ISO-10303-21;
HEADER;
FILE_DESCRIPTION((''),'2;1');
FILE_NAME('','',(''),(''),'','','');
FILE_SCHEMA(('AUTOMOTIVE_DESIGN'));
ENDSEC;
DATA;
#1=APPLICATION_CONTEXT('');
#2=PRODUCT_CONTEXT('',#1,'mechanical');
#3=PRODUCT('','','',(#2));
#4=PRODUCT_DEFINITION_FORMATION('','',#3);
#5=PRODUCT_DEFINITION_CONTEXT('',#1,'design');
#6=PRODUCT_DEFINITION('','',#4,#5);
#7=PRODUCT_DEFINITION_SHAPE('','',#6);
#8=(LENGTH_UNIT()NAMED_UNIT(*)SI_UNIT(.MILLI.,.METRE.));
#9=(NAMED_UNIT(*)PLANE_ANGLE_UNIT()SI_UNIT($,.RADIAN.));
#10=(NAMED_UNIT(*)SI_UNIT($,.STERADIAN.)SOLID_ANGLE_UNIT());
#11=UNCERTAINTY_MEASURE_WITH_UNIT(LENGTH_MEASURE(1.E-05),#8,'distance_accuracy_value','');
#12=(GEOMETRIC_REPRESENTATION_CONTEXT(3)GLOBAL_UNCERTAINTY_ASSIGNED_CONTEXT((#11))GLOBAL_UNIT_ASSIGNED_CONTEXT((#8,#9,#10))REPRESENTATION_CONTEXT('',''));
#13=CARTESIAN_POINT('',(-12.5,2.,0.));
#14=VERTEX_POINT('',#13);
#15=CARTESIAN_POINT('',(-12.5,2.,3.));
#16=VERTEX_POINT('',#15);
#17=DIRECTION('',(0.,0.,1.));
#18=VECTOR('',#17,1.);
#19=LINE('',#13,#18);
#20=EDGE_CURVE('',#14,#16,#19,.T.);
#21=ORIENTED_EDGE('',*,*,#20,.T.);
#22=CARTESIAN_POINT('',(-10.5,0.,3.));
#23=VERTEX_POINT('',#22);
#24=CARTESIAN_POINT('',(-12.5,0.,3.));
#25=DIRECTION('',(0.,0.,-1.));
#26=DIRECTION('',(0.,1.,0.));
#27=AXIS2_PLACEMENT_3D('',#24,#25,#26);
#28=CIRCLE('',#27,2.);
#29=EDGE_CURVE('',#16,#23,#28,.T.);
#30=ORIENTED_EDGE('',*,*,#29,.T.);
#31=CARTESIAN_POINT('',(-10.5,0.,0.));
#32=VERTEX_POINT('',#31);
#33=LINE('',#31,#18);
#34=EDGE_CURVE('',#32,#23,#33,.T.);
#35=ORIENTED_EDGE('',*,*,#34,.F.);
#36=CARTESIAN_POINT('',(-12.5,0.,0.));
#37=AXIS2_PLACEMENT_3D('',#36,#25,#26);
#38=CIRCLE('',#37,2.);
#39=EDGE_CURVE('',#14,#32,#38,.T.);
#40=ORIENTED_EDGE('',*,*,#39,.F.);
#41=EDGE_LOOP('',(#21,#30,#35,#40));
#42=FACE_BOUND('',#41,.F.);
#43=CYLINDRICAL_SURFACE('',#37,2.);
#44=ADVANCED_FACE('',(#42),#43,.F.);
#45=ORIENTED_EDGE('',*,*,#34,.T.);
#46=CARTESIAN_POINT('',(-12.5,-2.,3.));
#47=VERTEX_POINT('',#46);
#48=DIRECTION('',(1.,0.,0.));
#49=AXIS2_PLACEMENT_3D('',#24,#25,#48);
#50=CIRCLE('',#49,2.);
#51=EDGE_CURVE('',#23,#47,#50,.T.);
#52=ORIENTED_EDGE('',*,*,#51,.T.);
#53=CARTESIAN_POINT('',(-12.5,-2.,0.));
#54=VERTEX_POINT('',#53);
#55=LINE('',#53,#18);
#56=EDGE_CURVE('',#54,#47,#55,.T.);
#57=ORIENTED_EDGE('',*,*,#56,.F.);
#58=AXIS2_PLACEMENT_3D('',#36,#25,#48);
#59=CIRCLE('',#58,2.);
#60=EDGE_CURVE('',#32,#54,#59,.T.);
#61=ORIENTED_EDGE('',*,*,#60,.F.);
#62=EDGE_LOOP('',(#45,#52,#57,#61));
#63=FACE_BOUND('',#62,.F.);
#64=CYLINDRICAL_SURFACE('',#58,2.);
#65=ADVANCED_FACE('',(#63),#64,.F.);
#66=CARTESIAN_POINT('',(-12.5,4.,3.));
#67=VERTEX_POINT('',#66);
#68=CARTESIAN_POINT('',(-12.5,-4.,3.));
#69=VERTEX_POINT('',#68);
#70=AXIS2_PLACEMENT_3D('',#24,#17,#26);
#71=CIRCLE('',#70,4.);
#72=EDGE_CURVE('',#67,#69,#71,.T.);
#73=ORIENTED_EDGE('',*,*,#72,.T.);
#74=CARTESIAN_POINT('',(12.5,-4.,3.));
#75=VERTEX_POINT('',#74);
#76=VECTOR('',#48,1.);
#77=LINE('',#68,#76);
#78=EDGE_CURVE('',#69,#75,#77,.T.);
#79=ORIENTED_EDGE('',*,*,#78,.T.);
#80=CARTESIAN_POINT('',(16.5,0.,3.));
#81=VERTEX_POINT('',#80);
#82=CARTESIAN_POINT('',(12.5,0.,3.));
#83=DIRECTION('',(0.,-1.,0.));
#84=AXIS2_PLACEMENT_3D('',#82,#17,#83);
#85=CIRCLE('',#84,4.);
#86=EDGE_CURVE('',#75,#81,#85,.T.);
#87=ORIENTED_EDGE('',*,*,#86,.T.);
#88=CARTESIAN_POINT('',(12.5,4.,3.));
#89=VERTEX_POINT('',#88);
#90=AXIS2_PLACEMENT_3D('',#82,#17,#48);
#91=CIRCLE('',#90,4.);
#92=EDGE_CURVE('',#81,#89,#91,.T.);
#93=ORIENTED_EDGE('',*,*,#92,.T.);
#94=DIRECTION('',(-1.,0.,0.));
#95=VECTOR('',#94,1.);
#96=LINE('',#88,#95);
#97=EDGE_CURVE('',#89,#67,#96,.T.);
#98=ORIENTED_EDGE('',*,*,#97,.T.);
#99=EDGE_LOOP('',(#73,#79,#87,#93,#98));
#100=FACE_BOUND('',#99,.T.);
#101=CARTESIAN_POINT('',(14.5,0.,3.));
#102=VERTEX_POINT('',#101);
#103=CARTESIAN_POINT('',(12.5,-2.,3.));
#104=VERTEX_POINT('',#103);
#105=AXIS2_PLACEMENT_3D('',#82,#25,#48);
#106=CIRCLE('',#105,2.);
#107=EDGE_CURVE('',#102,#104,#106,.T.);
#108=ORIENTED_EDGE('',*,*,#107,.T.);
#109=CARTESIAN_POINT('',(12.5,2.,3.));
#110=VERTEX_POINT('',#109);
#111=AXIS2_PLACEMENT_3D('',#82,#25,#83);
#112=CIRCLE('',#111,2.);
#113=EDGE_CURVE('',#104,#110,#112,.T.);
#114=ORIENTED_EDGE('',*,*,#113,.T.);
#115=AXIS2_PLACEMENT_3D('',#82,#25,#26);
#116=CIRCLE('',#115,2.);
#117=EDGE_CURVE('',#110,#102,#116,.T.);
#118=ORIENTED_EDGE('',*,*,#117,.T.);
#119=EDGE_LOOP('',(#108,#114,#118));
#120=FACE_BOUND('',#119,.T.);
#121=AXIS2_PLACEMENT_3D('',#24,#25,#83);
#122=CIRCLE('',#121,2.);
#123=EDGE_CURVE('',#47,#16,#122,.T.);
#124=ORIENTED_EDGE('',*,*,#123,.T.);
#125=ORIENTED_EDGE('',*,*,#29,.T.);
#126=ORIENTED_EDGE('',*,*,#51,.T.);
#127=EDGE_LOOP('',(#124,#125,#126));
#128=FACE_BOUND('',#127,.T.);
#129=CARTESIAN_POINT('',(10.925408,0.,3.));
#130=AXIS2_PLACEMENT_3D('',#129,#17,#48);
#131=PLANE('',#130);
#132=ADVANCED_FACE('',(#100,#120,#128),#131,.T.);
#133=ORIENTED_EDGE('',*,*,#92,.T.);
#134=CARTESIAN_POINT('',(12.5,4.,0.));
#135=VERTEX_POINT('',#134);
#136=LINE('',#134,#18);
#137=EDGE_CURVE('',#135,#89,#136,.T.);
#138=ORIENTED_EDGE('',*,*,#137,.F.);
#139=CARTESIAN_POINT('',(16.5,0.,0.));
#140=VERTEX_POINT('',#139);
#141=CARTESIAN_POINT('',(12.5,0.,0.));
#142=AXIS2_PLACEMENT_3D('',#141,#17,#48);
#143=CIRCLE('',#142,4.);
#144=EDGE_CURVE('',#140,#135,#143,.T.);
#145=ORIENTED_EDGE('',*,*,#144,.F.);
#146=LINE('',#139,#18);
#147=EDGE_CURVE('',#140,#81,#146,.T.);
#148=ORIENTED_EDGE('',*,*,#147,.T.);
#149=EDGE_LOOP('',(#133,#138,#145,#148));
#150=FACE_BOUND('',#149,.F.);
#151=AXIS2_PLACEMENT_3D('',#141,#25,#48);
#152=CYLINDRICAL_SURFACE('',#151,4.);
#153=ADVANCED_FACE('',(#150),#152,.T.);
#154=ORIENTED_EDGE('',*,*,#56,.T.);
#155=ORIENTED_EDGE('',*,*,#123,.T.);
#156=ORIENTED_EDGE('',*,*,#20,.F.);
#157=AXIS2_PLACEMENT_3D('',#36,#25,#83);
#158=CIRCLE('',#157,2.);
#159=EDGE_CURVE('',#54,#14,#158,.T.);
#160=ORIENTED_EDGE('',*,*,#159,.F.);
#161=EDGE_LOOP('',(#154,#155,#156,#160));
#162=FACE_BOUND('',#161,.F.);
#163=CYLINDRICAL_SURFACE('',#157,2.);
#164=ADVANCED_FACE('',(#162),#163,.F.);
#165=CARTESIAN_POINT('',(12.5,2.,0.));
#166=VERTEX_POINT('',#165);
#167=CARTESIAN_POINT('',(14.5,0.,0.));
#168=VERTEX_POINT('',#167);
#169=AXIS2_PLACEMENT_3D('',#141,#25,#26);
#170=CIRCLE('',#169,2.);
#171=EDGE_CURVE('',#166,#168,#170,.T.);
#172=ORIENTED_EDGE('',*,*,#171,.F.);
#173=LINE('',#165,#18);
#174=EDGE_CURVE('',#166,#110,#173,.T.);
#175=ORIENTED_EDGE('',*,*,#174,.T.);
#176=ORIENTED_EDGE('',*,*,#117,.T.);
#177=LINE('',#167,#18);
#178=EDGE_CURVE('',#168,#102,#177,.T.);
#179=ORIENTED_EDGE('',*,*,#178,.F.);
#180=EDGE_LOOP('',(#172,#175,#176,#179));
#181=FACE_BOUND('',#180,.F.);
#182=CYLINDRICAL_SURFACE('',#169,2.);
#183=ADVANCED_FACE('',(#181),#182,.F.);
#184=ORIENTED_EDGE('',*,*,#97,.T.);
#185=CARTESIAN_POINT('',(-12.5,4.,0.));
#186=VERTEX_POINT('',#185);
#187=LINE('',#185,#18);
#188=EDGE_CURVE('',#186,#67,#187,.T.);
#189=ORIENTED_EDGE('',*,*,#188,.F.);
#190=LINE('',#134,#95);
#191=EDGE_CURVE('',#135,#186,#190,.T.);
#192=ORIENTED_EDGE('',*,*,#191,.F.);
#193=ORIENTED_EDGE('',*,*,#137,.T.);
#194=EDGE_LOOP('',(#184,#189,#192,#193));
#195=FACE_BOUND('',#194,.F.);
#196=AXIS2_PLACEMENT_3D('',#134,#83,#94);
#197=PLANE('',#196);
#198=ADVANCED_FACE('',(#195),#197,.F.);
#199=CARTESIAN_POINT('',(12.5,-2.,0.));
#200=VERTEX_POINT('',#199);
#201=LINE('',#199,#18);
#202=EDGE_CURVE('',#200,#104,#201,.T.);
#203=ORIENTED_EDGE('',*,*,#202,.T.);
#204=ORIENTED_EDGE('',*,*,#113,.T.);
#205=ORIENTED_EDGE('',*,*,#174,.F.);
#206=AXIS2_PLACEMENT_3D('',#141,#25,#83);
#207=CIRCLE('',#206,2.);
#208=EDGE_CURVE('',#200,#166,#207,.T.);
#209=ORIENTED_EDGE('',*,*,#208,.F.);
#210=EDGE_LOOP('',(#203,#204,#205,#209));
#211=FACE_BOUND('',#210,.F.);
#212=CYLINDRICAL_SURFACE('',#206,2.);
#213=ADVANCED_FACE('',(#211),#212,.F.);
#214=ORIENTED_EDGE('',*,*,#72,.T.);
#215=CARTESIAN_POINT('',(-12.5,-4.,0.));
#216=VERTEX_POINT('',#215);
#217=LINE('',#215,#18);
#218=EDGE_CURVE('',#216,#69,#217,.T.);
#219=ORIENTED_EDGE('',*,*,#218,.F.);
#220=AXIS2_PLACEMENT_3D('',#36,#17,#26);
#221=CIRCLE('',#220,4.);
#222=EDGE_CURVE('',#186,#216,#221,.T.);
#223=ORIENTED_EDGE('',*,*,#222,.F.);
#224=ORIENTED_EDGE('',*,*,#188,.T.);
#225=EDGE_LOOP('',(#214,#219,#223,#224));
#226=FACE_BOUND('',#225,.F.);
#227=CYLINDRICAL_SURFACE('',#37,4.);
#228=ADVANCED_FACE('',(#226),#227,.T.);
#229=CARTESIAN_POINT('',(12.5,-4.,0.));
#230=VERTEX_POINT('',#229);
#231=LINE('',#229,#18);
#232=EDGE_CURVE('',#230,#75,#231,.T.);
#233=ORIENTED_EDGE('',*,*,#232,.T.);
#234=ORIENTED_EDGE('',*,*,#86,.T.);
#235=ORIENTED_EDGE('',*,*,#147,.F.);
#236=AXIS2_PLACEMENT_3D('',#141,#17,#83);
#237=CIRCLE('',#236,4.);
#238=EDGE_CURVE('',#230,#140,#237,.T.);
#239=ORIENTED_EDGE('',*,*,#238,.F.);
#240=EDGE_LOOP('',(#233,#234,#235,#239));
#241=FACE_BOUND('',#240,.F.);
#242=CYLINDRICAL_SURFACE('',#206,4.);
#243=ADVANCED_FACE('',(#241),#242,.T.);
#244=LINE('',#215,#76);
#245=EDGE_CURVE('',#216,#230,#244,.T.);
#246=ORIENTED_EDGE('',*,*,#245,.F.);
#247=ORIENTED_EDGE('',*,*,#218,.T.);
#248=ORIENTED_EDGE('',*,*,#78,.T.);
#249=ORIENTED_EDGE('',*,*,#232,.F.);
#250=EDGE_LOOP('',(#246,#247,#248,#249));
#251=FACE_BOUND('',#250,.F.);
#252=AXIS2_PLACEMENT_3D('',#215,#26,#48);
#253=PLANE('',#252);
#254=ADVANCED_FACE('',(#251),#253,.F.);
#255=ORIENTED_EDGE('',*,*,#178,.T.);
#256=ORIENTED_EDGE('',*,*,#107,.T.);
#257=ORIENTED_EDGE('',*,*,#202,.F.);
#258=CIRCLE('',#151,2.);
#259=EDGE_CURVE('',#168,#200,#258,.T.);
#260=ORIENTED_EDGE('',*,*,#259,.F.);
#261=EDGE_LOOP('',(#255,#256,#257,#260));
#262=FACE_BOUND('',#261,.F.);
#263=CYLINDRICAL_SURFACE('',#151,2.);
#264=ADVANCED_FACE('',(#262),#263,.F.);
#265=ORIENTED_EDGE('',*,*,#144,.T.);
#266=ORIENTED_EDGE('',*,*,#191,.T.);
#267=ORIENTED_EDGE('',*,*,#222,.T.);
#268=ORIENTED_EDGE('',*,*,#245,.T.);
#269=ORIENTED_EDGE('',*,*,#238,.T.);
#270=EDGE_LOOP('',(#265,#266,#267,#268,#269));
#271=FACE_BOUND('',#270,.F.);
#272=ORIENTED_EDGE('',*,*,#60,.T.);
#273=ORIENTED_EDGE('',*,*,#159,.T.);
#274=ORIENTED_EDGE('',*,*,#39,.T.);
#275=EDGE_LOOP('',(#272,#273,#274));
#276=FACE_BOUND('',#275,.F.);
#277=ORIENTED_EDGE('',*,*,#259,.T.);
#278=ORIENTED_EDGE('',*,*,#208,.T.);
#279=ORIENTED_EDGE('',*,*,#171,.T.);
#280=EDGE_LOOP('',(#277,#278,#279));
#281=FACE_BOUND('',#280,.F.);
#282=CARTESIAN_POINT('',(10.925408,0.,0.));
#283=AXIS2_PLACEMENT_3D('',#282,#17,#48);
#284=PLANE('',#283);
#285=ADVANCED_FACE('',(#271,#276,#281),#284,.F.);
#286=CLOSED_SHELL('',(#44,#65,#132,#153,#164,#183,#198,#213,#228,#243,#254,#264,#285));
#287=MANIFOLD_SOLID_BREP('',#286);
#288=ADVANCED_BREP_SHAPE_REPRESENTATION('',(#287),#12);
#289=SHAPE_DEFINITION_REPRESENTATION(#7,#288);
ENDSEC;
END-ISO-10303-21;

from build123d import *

# Parameters (mm, degrees)
F1_DEPTH = 3


with BuildPart() as f1:
    # F0 (on Top) → F1 (new body)
    with BuildSketch(Plane.XY):
        with BuildLine():
            ThreePointArc((12.5, 4), (8.5, 0), (12.5, -4))
            Line((12.5, -4), (12.5, -2))
            ThreePointArc((12.5, -2), (10.5, 0), (12.5, 2))
            Line((12.5, 2), (12.5, 4))
        make_face()
        with BuildLine():
            Line((-12.5, -4), (12.5, -4))
            ThreePointArc((12.5, -4), (8.5, 0), (12.5, 4))
            Line((12.5, 4), (-12.5, 4))
            ThreePointArc((-12.5, 4), (-9.6715728753, 2.8284271247), (-8.5, 0))
            ThreePointArc((-8.5, 0), (-9.6715728753, -2.8284271247), (-12.5, -4))
        make_face()
        with BuildLine():
            Line((12.5, -2), (12.5, -4))
            ThreePointArc((12.5, -4), (15.3284271247, -2.8284271247), (16.5, 0))
            ThreePointArc((16.5, 0), (15.3284271247, 2.8284271247), (12.5, 4))
            Line((12.5, 4), (12.5, 2))
            ThreePointArc((12.5, 2), (13.9142135624, 1.4142135624), (14.5, 0))
            ThreePointArc((14.5, 0), (13.9142135624, -1.4142135624), (12.5, -2))
        make_face()
        with BuildLine():
            ThreePointArc((-12.5, 4), (-16.5, 0), (-12.5, -4))
            Line((-12.5, -4), (-12.5, -2))
            ThreePointArc((-12.5, -2), (-14.5, 0), (-12.5, 2))
            Line((-12.5, 2), (-12.5, 4))
        make_face()
        with BuildLine():
            Line((-12.5, -2), (-12.5, -4))
            ThreePointArc((-12.5, -4), (-9.6715728753, -2.8284271247), (-8.5, 0))
            ThreePointArc((-8.5, 0), (-9.6715728753, 2.8284271247), (-12.5, 4))
            Line((-12.5, 4), (-12.5, 2))
            ThreePointArc((-12.5, 2), (-11.0857864376, 1.4142135624), (-10.5, 0))
            ThreePointArc((-10.5, 0), (-11.0857864376, -1.4142135624), (-12.5, -2))
        make_face()
    extrude(amount=F1_DEPTH)


solid = f1.part
